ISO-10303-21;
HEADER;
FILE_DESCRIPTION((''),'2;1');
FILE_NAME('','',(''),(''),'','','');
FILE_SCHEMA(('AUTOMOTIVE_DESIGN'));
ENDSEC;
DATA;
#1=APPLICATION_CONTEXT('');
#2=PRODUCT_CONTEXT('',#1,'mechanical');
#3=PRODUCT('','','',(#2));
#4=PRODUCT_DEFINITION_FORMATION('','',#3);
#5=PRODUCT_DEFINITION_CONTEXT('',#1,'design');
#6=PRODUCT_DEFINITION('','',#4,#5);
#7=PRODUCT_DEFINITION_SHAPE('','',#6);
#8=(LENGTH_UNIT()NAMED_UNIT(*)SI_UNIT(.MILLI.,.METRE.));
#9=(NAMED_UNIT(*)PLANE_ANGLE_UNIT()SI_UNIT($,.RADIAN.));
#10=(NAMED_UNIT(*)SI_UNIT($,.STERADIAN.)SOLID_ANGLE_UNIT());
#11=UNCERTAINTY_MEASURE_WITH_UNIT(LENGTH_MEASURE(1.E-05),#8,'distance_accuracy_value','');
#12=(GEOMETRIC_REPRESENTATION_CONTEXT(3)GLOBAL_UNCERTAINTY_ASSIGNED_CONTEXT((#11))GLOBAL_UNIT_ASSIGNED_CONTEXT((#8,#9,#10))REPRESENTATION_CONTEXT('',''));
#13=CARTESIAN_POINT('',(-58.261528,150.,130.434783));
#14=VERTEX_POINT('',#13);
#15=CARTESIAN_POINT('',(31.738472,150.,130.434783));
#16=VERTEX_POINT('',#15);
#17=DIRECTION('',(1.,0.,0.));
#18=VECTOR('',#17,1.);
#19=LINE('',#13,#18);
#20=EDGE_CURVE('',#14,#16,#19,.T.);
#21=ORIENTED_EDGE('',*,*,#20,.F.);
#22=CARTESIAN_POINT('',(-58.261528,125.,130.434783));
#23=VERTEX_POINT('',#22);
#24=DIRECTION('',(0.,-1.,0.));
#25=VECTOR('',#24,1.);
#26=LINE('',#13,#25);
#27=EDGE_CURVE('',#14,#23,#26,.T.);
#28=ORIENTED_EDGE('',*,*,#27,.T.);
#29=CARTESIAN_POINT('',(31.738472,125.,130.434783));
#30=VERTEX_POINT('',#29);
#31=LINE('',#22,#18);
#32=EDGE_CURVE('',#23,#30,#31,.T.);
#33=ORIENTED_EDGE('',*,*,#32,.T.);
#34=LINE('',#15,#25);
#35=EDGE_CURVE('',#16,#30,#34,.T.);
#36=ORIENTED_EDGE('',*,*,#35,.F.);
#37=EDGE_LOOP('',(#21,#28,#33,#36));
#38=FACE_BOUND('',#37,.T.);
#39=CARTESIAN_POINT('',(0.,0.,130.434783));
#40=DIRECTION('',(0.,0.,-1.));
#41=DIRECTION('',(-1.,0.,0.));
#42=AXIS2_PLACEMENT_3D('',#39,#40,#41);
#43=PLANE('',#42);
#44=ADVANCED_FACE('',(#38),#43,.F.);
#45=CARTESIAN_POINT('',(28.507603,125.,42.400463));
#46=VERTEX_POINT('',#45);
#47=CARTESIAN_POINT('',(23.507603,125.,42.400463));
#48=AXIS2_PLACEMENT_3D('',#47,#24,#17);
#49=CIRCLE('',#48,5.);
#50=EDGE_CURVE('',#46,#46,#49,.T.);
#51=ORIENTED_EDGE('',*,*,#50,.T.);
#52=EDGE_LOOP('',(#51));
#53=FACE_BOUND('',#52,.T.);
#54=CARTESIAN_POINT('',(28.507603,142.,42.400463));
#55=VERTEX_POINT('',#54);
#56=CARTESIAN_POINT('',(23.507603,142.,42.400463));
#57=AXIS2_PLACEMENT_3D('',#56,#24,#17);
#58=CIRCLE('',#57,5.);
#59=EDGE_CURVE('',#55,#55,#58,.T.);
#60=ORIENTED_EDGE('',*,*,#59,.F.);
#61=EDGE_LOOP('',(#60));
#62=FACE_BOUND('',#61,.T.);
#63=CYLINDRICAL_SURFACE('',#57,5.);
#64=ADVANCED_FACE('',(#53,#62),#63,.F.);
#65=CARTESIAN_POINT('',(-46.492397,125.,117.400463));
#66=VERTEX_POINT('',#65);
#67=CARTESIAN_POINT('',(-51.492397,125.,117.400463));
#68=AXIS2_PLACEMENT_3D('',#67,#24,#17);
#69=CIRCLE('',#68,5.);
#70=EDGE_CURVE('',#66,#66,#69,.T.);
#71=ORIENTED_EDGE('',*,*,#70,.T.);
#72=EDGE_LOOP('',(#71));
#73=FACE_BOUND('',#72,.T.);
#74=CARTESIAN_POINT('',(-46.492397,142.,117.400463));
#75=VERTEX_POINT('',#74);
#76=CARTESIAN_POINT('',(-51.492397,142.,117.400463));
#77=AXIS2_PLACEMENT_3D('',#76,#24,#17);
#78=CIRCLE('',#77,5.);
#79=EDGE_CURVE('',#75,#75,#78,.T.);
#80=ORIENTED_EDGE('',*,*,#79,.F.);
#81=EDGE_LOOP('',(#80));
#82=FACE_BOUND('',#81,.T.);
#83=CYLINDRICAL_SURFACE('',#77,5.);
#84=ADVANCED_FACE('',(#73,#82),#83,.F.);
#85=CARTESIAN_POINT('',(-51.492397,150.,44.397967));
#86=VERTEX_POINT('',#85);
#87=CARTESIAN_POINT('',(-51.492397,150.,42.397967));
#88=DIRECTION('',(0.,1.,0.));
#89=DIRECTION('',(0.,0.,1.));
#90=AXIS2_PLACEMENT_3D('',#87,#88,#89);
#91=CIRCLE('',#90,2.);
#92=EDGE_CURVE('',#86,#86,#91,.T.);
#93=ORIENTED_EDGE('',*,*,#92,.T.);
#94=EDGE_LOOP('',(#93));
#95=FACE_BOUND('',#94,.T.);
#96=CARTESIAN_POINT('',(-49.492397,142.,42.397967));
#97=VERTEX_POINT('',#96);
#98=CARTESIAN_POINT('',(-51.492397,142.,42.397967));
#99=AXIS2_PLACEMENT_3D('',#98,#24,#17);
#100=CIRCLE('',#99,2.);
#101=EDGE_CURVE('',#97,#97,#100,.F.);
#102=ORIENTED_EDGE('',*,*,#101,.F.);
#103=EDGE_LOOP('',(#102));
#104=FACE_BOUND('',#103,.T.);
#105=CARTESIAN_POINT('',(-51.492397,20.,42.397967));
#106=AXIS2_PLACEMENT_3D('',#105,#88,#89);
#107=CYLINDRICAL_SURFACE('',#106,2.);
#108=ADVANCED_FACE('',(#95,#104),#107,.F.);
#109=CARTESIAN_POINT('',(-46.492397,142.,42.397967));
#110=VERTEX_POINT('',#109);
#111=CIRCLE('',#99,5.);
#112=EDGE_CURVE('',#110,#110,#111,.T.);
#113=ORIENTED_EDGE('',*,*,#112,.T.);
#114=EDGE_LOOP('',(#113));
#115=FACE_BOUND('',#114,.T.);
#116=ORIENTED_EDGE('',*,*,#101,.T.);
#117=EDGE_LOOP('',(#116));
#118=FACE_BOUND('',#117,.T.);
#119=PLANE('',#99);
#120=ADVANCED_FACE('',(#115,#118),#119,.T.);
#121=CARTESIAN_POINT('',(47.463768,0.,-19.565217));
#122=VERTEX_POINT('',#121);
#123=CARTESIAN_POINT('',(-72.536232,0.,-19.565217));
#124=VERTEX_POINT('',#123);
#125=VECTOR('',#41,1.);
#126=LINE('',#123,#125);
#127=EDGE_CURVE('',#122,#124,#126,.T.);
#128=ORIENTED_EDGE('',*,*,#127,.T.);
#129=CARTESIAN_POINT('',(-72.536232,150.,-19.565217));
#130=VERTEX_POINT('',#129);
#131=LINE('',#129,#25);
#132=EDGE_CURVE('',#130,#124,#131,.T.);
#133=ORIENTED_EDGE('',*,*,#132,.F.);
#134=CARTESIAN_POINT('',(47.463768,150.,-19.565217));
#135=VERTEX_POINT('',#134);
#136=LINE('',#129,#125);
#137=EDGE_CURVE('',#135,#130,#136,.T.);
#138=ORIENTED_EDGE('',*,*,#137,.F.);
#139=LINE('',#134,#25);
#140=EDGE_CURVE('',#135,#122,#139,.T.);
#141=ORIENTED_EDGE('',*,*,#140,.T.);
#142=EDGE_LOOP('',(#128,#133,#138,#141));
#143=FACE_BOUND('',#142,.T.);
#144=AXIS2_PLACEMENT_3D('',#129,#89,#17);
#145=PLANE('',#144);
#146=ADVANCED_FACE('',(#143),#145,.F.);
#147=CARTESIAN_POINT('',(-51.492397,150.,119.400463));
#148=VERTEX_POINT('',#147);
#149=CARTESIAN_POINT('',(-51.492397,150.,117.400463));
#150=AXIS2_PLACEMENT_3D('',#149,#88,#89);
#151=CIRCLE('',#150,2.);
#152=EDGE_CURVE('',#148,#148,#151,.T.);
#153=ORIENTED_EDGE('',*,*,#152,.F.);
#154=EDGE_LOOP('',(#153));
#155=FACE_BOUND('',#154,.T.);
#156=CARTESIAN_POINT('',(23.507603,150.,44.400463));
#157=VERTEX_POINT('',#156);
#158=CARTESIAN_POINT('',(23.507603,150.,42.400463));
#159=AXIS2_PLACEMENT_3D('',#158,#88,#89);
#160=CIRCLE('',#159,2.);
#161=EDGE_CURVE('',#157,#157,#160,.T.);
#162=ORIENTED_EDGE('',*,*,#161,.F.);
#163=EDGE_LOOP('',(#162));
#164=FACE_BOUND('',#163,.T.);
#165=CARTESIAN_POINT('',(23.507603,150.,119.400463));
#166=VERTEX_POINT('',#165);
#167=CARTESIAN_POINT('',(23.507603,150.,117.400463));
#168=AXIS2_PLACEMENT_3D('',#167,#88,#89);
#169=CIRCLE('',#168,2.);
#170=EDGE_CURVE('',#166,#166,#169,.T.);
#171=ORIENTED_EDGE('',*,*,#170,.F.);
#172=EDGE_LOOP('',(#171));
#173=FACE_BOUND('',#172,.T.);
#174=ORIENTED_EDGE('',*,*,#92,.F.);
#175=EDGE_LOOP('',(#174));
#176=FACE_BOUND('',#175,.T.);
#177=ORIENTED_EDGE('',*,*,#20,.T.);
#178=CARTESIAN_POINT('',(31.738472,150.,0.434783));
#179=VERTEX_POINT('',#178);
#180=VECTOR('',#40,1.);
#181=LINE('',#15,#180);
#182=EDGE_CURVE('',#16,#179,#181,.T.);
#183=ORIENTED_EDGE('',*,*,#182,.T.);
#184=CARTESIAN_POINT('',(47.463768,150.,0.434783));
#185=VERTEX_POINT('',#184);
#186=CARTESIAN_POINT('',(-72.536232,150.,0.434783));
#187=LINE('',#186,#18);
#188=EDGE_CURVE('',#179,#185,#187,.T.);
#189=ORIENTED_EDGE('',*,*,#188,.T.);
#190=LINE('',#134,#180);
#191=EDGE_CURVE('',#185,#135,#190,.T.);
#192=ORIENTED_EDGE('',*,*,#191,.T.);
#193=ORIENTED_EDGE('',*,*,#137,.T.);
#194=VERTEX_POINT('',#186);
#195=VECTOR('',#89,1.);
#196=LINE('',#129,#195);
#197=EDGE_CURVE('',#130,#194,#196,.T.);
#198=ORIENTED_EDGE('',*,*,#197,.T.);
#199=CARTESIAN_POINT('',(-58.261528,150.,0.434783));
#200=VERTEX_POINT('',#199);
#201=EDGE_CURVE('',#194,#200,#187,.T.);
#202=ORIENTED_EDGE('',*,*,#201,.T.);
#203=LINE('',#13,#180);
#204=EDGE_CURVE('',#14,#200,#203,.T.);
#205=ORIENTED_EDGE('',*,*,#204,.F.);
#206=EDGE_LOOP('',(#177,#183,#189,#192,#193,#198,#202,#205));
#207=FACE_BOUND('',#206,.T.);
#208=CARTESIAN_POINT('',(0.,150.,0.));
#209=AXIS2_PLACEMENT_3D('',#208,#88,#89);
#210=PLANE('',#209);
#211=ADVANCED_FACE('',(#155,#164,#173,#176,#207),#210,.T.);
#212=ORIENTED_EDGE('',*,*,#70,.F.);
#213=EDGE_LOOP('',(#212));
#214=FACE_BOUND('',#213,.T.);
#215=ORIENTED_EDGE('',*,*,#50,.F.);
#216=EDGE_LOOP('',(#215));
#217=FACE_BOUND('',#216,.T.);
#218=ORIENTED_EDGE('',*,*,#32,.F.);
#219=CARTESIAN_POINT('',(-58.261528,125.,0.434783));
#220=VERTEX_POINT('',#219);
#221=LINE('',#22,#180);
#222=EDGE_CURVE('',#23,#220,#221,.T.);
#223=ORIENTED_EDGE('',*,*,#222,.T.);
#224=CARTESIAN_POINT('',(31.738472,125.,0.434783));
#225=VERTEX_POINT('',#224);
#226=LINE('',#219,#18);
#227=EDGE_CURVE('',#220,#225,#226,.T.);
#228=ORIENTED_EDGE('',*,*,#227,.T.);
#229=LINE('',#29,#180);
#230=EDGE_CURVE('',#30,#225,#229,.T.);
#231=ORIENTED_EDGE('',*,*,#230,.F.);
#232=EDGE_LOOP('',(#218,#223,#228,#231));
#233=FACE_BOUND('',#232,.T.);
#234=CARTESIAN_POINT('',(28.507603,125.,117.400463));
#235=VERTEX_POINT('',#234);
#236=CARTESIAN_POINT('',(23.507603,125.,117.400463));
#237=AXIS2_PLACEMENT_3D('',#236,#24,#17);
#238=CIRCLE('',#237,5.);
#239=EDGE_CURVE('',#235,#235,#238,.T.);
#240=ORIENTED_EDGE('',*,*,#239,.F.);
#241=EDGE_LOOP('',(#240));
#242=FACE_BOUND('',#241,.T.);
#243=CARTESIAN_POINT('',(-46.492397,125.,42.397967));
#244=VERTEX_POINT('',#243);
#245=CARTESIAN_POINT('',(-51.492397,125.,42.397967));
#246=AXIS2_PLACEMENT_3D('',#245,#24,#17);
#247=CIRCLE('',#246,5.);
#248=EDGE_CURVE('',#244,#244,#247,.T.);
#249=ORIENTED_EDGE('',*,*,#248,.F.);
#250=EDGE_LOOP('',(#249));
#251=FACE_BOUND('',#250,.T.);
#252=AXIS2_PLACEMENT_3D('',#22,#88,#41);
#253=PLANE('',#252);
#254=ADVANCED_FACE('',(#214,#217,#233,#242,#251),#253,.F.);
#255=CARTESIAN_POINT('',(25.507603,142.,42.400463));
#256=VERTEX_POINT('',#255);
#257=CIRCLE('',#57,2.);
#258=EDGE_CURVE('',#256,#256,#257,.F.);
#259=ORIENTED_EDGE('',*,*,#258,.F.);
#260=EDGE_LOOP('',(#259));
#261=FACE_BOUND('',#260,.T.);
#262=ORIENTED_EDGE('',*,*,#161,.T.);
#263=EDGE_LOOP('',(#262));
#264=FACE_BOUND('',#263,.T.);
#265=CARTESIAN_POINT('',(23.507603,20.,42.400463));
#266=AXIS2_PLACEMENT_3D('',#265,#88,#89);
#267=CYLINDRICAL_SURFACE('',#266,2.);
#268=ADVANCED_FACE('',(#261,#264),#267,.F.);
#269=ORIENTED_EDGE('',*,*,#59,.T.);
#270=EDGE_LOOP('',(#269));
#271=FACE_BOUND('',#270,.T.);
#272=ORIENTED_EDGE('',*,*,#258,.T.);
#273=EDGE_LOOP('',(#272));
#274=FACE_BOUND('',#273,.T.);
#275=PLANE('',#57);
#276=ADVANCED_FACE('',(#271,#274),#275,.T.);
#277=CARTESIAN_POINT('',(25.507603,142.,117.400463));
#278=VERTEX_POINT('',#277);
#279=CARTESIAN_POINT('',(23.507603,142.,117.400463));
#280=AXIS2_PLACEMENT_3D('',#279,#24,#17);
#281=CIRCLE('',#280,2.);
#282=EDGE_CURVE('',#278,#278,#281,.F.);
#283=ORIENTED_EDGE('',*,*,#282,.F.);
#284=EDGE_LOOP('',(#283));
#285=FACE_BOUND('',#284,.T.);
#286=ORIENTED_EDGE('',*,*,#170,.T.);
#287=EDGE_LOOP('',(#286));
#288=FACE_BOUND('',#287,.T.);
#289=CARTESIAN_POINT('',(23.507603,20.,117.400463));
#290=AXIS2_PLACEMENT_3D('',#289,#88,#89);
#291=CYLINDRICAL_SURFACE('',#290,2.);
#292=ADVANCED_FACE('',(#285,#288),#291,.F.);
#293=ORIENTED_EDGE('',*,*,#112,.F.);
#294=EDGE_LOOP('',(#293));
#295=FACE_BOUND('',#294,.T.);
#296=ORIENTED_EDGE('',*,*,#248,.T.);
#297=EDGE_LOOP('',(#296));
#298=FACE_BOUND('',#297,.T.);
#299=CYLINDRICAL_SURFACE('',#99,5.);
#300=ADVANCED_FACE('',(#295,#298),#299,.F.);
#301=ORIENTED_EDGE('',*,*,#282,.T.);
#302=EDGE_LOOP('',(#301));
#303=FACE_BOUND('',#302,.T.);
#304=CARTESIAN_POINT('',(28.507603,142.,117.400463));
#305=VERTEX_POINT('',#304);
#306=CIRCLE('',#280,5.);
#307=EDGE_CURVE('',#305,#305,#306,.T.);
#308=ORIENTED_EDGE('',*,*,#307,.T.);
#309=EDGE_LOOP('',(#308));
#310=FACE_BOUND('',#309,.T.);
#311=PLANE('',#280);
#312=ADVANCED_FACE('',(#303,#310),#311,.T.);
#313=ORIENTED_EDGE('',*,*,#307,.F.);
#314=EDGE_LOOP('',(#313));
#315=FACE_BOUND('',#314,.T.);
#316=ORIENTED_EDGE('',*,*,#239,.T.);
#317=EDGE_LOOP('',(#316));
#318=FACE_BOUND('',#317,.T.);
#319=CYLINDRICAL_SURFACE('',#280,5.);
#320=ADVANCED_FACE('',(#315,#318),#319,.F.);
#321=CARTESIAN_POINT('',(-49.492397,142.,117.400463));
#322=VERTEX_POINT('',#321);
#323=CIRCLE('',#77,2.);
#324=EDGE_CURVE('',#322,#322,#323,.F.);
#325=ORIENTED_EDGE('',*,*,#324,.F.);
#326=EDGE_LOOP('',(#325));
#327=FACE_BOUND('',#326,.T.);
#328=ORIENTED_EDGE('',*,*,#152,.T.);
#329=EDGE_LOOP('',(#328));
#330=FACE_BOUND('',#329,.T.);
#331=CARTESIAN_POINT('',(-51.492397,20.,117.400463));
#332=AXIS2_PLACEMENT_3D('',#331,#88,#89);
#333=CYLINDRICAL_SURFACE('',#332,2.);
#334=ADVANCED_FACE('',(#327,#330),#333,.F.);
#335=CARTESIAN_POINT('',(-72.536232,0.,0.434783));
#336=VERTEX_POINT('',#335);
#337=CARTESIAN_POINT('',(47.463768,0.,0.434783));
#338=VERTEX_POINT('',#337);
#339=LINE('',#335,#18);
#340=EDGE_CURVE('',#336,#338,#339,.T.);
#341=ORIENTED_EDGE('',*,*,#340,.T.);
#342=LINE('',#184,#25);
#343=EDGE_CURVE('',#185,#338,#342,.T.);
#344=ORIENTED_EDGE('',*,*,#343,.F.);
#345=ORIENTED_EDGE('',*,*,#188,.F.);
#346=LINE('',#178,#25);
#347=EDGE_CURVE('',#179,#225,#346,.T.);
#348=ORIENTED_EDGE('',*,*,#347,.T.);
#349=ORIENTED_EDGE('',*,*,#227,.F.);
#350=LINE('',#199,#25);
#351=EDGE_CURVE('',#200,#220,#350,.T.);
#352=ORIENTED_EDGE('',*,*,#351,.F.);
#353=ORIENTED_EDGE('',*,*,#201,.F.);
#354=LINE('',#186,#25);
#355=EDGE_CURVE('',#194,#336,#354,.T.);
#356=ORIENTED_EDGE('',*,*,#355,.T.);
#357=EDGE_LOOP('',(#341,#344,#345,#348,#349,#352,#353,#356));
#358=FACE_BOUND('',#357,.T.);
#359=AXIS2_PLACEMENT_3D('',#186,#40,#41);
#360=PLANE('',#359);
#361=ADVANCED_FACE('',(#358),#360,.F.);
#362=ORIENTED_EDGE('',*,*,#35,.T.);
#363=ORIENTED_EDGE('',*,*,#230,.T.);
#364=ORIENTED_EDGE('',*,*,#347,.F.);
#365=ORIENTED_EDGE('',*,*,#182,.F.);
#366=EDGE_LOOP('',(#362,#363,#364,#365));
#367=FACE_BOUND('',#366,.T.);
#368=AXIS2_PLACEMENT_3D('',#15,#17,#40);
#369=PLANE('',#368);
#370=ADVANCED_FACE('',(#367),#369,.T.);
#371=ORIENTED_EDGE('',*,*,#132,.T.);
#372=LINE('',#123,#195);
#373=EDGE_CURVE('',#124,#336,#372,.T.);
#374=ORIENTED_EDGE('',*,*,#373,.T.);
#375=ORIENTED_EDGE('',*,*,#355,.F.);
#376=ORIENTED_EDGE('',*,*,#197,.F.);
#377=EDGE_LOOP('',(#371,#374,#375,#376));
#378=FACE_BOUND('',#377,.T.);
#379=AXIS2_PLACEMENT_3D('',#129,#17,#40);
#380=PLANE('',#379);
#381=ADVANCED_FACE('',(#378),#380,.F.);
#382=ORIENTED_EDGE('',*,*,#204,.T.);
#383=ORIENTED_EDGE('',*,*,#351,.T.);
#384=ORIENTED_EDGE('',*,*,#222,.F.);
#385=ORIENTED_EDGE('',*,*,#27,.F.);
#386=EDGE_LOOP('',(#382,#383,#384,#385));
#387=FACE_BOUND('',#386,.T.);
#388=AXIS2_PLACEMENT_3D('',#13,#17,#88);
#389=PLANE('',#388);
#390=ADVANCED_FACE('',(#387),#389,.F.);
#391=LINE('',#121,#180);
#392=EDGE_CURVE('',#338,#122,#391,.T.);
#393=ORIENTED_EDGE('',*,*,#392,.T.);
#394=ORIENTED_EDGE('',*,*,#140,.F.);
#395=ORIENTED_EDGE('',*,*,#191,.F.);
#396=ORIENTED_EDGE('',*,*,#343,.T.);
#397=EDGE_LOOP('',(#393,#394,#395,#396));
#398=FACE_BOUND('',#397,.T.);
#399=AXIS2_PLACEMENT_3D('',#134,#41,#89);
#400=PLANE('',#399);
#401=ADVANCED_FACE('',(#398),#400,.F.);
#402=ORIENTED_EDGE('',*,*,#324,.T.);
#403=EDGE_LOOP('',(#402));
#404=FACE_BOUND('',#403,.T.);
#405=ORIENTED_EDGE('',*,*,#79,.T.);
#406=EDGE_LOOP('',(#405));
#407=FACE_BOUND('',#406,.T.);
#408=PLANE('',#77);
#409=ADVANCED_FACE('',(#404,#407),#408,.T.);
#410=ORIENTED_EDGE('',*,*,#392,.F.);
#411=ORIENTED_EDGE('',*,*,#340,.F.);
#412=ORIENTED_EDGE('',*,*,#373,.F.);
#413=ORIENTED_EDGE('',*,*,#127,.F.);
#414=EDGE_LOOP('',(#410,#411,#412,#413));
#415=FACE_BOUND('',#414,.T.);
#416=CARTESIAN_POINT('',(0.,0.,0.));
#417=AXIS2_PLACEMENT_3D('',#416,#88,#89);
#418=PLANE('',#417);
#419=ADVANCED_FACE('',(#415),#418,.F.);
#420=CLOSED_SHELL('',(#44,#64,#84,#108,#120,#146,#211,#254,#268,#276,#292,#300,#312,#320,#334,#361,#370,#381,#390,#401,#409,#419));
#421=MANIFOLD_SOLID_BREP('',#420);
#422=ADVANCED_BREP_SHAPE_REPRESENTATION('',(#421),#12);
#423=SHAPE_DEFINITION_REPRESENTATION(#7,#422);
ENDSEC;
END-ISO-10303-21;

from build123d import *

# Parameters (mm, degrees)
SKETCH_1_W          = 120
SKETCH_1_H          = 20
EXTRUDE_1_DEPTH     = 150
SKETCH_2_W          = 90
SKETCH_2_H          = 25
EXTRUDE_2_DEPTH     = 130
SKETCH_3_R          = 2
CUT_EXTRUDE_1_DEPTH = 130
SKETCH_5_R          = 5
CUT_EXTRUDE_2_DEPTH = 17


with BuildPart() as part:
    # 草图1 → 凸台-拉伸1 (new body)
    with BuildSketch(Plane(origin=(0, 0, 0), x_dir=(1, 0, 0), z_dir=(0, 1, 0))):
        with Locations((-12.536231884, 9.565217391)):
            Rectangle(SKETCH_1_W, SKETCH_1_H)
    extrude(amount=EXTRUDE_1_DEPTH)

    # 草图2 → 凸台-拉伸2 (add)
    with BuildSketch(Plane.XY.offset(0.434782609)):
        with Locations((-13.26152797, 137.5)):
            Rectangle(SKETCH_2_W, SKETCH_2_H)
    extrude(amount=EXTRUDE_2_DEPTH)

    # 草图3 → 切除-拉伸1 (cut)
    with BuildSketch(Plane(origin=(0, 150, 0), x_dir=(1, 0, 0), z_dir=(0, 1, 0))):
        with Locations(Location((-51.492397045, -42.39796667, 0), (0, 0, 270))):
            Circle(SKETCH_3_R)
        with Locations(Location((23.507602913, -42.400462624, 0), (0, 0, 270))):
            Circle(SKETCH_3_R)
        with Locations(Location((-51.492397045, -117.400462624, 0), (0, 0, 270))):
            Circle(SKETCH_3_R)
        with Locations(Location((23.507602955, -117.400462624, 0), (0, 0, 270))):
            Circle(SKETCH_3_R)
    extrude(amount=-CUT_EXTRUDE_1_DEPTH, mode=Mode.SUBTRACT)

    # 草图5 → 切除-拉伸2 (cut)
    with BuildSketch(Plane.XZ.offset(-125)):
        with Locations((-51.492397045, 117.400462624)):
            Circle(SKETCH_5_R)
        with Locations((23.507602955, 117.400462624)):
            Circle(SKETCH_5_R)
        with Locations((23.507602913, 42.400462624)):
            Circle(SKETCH_5_R)
        with Locations((-51.492397045, 42.39796667)):
            Circle(SKETCH_5_R)
    extrude(amount=-CUT_EXTRUDE_2_DEPTH, mode=Mode.SUBTRACT)


solid = part.part
